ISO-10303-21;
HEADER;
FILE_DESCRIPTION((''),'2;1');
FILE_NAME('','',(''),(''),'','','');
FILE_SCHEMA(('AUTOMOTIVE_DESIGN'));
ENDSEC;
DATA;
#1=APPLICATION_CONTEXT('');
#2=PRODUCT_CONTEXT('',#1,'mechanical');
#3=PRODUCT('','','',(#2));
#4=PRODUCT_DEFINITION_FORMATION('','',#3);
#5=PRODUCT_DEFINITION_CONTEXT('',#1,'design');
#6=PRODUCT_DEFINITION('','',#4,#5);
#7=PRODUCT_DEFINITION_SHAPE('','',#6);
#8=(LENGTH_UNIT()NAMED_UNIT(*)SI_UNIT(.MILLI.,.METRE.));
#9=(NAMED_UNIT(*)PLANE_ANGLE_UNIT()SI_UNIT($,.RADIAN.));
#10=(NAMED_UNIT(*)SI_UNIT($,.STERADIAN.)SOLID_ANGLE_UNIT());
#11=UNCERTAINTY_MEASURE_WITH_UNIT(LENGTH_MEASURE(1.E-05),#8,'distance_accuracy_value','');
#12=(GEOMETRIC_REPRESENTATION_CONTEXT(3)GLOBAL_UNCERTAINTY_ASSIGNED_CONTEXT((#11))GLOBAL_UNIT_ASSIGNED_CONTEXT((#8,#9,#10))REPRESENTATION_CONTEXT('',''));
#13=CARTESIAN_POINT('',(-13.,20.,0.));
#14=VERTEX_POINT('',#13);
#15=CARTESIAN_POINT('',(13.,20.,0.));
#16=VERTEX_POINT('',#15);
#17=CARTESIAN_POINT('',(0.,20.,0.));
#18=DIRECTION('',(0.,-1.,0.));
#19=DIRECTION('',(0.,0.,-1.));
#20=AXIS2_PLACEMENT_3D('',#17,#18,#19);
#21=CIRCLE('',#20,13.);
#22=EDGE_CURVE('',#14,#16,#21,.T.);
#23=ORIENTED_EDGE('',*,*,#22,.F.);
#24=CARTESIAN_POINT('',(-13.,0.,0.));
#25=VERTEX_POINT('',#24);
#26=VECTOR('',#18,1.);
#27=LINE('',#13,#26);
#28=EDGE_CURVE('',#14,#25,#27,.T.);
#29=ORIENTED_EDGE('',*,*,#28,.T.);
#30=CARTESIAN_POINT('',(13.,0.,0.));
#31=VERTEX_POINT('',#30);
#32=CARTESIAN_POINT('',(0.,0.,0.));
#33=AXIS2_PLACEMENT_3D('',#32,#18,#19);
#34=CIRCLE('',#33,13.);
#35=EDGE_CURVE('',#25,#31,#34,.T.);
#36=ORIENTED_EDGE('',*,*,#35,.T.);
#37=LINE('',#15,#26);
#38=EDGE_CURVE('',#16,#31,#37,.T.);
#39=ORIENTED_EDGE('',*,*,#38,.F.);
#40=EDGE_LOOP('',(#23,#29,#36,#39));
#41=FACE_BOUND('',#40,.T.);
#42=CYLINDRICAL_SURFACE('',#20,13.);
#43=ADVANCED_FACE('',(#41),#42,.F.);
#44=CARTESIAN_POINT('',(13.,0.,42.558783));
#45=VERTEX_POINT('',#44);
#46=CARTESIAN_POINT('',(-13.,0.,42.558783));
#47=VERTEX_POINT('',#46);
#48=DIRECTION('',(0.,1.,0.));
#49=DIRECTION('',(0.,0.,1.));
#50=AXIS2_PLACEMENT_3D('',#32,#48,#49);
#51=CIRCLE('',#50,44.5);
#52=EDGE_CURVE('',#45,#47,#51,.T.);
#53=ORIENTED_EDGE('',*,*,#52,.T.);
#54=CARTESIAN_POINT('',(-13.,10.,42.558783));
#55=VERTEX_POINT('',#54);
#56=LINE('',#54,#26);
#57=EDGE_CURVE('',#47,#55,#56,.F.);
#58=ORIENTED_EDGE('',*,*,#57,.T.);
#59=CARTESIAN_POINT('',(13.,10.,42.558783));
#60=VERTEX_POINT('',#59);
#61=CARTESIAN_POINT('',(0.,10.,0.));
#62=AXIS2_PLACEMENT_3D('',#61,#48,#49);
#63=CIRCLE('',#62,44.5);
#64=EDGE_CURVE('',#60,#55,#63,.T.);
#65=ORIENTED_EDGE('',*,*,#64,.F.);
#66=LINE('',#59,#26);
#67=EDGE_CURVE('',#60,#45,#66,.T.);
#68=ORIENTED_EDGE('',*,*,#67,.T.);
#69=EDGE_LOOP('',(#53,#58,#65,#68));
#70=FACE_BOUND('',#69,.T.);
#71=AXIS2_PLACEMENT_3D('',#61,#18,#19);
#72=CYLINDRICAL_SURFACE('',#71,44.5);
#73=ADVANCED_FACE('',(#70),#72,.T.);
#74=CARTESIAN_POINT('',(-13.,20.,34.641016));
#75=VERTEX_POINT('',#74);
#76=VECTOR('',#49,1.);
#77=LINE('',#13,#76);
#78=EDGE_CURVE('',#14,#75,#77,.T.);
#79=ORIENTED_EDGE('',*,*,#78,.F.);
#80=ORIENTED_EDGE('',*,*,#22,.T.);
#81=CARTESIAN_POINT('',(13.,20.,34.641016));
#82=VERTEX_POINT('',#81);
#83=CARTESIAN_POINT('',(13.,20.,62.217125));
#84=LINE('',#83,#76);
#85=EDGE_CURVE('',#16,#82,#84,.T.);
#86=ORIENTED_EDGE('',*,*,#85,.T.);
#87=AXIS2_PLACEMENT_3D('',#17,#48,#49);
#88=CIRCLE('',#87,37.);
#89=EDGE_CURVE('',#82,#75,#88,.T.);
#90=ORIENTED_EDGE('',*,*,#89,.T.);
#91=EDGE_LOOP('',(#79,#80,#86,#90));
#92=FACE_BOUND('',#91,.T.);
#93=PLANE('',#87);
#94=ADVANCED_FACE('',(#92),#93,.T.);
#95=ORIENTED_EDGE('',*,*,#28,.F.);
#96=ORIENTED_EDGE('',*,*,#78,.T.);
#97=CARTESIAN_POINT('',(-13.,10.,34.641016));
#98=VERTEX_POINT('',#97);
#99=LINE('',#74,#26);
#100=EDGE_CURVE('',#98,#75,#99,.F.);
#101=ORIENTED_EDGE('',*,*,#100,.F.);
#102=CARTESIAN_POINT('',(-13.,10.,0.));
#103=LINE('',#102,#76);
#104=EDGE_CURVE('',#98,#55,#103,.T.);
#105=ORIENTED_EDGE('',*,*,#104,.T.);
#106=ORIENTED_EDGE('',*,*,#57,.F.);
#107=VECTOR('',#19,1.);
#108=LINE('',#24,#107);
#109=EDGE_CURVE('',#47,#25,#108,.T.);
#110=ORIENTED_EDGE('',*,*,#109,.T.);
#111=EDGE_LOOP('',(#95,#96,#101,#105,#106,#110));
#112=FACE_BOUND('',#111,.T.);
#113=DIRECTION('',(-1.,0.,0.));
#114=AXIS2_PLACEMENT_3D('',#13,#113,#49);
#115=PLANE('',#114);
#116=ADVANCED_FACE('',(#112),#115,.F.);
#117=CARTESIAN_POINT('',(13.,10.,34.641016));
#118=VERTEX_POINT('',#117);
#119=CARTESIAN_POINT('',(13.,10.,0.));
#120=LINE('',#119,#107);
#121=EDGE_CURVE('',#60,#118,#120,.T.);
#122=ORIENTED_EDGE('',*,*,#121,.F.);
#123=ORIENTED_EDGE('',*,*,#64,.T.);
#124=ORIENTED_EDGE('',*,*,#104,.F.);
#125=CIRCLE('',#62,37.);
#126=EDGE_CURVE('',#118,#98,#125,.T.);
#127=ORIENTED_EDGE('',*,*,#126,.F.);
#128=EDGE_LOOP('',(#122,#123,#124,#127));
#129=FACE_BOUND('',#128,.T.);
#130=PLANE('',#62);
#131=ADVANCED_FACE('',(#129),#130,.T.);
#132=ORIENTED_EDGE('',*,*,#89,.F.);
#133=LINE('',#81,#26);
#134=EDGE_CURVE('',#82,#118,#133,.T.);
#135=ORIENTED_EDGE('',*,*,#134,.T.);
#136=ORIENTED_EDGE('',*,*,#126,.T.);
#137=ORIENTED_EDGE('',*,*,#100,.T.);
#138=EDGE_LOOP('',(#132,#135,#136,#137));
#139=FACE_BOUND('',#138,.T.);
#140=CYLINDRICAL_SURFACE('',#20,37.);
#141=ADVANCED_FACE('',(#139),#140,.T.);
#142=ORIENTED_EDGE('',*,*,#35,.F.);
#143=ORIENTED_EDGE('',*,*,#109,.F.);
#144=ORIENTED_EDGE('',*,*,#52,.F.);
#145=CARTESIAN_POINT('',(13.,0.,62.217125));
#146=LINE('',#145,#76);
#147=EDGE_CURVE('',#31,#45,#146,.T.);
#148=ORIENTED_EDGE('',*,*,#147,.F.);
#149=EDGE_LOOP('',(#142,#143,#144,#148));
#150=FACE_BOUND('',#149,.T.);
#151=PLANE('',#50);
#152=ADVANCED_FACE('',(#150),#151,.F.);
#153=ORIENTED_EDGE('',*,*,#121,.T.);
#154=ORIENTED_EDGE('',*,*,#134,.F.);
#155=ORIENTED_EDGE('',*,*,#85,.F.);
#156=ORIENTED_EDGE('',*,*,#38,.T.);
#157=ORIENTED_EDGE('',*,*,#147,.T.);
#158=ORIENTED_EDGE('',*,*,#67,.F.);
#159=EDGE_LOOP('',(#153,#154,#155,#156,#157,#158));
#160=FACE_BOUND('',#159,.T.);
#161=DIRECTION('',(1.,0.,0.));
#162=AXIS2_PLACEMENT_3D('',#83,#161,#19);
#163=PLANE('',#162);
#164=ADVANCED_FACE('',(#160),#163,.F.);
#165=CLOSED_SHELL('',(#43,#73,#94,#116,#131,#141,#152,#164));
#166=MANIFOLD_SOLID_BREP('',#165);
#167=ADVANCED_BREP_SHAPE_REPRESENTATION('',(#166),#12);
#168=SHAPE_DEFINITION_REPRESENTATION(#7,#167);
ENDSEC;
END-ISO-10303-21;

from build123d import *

# Parameters (mm, degrees)
SKETCH1_R           = 44.5
BOSS_EXTRUDE1_DEPTH = 10
SKETCH2_R           = 37
BOSS_EXTRUDE2_DEPTH = 10
CUT_EXTRUDE1_DEPTH  = 67.034082109


with BuildPart() as part:
    # Sketch1 → Boss-Extrude1 (new body)
    with BuildSketch(Plane(origin=(0, 0, 0), x_dir=(1, 0, 0), z_dir=(0, 1, 0))):
        with Locations(Location((0, 0, 0), (0, 0, 270))):
            Circle(SKETCH1_R)
    extrude(amount=BOSS_EXTRUDE1_DEPTH)

    # Sketch2 → Boss-Extrude2 (add)
    with BuildSketch(Plane(origin=(0, 10, 0), x_dir=(1, 0, 0), z_dir=(0, 1, 0))):
        with Locations(Location((0, 0, 0), (0, 0, 270))):
            Circle(SKETCH2_R)
    extrude(amount=BOSS_EXTRUDE2_DEPTH)

    # Sketch3 → Cut-Extrude1 (cut, through all)
    with BuildSketch(Plane.XZ):
        with BuildLine():
            Line((-13, 0), (-13, 42.558782877))
            Line((-13, 42.558782877), (-13, 62.217124748))
            Line((-13, 62.217124748), (13, 62.217124748))
            Line((13, 62.217124748), (13, 0))
            ThreePointArc((13, 0), (0, -13), (-13, 0))
        make_face()
    extrude(amount=-CUT_EXTRUDE1_DEPTH, mode=Mode.SUBTRACT)


solid = part.part
